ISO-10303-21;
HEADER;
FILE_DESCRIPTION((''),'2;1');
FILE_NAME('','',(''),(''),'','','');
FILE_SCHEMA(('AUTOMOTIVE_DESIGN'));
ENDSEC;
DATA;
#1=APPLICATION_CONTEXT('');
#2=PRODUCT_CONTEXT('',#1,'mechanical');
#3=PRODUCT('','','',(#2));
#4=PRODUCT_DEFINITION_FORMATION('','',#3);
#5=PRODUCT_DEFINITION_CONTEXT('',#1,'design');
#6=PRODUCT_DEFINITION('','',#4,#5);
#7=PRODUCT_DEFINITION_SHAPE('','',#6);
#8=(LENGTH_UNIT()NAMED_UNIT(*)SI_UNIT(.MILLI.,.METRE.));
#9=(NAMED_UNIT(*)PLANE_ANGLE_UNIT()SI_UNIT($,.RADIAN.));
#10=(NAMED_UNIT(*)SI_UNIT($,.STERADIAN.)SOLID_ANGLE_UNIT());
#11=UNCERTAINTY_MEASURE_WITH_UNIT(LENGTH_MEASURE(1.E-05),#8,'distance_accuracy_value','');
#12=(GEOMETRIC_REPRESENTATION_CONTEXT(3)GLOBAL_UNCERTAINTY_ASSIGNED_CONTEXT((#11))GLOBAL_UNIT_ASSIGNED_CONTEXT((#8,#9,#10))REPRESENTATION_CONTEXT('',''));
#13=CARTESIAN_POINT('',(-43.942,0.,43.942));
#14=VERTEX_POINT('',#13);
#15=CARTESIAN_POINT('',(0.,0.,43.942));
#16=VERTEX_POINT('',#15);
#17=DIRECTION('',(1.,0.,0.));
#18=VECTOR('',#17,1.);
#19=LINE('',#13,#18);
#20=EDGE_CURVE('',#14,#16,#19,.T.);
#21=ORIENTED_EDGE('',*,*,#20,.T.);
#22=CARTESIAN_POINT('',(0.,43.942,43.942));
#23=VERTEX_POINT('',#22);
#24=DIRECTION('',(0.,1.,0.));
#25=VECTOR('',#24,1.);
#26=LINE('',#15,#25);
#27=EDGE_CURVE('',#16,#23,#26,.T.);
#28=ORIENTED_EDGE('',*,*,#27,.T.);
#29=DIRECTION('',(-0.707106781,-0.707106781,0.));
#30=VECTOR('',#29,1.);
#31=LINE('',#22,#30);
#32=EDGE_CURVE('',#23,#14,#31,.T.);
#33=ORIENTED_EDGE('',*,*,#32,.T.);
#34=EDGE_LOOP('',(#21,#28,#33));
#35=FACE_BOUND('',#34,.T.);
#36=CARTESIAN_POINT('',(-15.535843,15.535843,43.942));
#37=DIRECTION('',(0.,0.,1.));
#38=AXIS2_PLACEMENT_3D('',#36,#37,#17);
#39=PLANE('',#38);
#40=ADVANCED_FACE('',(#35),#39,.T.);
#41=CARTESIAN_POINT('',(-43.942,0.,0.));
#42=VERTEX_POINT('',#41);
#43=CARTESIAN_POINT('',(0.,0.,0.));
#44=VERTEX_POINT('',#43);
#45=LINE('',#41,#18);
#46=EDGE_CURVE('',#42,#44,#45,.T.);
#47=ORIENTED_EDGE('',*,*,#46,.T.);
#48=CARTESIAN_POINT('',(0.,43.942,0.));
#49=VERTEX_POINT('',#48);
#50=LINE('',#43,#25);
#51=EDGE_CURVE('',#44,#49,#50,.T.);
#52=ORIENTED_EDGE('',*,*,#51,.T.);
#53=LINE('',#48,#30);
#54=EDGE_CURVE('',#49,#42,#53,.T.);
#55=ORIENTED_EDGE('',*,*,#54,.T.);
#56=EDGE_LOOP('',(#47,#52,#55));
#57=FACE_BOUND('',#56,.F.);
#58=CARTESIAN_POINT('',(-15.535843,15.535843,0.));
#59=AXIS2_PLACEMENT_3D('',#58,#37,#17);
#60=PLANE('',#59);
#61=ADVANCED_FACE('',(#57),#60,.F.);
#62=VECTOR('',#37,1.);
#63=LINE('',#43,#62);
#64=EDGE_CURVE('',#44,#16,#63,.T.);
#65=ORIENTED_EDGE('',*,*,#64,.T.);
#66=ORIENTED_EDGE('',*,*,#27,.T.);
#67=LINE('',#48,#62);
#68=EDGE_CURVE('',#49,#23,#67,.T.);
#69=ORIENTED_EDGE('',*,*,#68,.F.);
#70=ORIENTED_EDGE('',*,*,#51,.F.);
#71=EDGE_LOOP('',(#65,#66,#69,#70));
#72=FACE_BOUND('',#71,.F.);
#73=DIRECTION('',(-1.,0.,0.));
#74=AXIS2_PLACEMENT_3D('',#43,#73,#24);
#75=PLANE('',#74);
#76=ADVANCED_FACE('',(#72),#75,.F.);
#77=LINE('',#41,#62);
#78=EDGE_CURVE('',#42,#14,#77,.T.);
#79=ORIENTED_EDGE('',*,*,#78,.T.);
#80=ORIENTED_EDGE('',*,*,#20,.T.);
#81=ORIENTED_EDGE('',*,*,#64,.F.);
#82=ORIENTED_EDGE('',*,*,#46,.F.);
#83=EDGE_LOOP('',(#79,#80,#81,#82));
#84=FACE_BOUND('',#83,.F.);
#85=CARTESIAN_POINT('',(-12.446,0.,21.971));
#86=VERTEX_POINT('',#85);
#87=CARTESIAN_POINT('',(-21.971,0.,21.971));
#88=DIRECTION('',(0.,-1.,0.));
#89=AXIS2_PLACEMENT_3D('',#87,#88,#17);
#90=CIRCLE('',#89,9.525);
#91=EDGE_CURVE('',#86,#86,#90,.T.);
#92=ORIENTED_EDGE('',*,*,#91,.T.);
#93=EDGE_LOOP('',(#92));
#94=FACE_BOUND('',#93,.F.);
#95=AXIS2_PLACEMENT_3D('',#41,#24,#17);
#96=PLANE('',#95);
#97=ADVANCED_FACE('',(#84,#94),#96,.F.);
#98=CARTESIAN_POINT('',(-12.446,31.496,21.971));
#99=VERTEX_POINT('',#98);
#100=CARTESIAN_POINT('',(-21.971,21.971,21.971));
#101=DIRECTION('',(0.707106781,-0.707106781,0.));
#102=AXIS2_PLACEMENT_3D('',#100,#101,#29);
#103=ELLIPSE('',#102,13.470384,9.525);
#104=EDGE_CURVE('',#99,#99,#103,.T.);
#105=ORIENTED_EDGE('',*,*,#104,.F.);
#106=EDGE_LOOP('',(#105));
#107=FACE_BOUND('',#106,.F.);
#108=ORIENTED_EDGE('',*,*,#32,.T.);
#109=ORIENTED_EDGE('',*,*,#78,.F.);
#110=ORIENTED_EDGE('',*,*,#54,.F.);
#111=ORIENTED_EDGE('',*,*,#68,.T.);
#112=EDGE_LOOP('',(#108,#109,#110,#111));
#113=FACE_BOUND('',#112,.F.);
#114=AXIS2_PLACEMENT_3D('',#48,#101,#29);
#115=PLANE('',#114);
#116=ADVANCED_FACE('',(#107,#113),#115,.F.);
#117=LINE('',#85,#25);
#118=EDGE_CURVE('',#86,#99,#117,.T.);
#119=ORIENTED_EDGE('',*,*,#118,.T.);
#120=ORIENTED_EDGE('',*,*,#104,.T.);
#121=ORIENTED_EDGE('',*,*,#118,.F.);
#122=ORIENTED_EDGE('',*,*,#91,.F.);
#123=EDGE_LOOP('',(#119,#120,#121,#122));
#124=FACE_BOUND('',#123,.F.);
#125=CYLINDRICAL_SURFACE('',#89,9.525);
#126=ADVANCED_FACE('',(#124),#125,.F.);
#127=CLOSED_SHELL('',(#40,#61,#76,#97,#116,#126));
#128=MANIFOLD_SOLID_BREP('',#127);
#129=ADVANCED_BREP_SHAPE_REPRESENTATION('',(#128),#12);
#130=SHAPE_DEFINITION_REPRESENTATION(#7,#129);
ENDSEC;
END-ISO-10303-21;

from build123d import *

# Parameters (mm, degrees)
F1_DEPTH = 43.942
F2_R     = 9.525
F3_DEPTH = 43.943


with BuildPart() as f1:
    # F0 (on Top) → F1 (new body)
    with BuildSketch(Plane.XY):
        Polygon((-43.942, 0), (0, 0), (0, 43.942), align=None)
    extrude(amount=F1_DEPTH)

    # F2 (on face) → F3 (cut, through all)
    with BuildSketch(Plane.XZ):
        with Locations((-21.971, 21.971)):
            Circle(F2_R)
    extrude(amount=-F3_DEPTH, mode=Mode.SUBTRACT)


solid = f1.part
